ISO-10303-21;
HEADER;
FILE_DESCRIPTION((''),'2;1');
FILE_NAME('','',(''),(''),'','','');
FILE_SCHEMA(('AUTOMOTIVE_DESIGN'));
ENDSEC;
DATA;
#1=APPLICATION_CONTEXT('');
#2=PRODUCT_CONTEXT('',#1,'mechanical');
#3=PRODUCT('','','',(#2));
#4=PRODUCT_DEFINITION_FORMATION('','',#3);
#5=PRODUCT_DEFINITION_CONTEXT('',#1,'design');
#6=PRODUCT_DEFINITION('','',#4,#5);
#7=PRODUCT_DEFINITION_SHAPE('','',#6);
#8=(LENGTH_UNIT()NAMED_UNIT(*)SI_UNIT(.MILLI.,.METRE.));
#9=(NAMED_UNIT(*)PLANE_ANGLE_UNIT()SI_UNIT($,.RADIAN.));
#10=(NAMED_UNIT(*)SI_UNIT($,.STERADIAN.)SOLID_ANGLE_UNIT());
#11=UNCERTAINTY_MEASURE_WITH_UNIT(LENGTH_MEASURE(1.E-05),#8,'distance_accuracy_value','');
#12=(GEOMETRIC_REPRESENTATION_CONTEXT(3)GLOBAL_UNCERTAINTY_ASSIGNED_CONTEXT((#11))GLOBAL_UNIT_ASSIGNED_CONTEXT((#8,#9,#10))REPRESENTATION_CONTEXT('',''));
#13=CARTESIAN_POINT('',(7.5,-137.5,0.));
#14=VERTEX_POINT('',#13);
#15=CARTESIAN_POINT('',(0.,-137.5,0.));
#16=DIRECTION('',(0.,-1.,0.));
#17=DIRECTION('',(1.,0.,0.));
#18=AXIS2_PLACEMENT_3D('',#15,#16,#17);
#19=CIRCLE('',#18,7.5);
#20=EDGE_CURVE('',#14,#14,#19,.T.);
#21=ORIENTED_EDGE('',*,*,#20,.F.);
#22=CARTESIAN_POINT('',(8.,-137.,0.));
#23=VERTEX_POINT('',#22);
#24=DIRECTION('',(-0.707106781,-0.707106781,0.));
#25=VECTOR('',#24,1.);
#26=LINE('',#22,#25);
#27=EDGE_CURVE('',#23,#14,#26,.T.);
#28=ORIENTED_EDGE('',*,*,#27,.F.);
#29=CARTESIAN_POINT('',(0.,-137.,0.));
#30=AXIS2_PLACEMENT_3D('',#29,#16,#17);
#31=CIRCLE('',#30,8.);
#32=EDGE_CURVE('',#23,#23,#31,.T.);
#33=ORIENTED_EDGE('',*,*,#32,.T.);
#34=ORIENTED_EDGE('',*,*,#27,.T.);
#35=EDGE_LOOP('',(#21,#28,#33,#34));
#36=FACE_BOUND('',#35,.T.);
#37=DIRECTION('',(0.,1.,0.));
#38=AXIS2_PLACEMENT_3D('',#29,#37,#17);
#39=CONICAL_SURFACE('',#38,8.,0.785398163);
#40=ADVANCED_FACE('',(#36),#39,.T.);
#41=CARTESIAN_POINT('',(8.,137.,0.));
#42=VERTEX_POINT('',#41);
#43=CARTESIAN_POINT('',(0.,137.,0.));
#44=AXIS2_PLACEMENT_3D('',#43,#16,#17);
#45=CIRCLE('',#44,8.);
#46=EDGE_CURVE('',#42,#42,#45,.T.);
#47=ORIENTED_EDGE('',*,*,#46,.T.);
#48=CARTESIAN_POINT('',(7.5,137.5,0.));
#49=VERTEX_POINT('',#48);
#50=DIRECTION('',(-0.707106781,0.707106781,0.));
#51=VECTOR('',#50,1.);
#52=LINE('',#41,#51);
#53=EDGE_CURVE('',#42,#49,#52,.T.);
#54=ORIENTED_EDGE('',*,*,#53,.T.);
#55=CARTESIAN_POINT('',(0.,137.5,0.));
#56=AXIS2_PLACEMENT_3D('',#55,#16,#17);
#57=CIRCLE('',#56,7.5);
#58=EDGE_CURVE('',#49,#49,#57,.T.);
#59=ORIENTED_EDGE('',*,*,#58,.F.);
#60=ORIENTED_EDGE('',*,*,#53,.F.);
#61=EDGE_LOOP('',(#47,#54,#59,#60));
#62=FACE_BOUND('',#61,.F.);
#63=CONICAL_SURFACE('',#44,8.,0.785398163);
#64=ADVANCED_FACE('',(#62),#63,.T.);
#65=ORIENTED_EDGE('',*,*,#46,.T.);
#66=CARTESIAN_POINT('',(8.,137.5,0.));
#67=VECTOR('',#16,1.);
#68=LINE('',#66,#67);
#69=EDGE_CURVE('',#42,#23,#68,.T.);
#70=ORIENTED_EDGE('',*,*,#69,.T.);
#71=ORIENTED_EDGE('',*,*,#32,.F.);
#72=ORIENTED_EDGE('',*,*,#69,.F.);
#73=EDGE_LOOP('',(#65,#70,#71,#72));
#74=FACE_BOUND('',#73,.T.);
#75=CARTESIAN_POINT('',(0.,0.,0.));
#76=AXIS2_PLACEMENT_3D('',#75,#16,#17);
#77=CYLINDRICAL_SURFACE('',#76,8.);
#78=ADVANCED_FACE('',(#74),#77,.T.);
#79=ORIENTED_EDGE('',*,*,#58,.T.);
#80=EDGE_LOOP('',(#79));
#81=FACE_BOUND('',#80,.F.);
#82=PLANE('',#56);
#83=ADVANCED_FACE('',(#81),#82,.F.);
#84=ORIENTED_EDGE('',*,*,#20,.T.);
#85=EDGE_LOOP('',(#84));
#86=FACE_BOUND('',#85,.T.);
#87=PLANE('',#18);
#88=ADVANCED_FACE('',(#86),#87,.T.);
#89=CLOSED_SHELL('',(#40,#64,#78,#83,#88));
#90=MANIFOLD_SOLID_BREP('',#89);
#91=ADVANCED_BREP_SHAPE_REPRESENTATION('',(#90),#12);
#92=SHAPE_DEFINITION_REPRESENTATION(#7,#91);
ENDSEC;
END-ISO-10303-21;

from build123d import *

# Parameters (mm, degrees)
F0_R     = 8
F1_DEPTH = 137.5
F2_SIZE  = 0.5


with BuildPart() as f1:
    # F0 (on Front) → F1 (new body, symmetric)
    with BuildSketch(Plane.XZ):
        Circle(F0_R)
    extrude(amount=F1_DEPTH, both=True)

    # F2
    f2_edges = [f1.edges().sort_by_distance(p)[0] for p in [
        (-8, 137.5, 0),
        (8, 0, 0),
        (-8, -137.5, 0),
    ]]
    chamfer(f2_edges, length=F2_SIZE)


solid = f1.part
